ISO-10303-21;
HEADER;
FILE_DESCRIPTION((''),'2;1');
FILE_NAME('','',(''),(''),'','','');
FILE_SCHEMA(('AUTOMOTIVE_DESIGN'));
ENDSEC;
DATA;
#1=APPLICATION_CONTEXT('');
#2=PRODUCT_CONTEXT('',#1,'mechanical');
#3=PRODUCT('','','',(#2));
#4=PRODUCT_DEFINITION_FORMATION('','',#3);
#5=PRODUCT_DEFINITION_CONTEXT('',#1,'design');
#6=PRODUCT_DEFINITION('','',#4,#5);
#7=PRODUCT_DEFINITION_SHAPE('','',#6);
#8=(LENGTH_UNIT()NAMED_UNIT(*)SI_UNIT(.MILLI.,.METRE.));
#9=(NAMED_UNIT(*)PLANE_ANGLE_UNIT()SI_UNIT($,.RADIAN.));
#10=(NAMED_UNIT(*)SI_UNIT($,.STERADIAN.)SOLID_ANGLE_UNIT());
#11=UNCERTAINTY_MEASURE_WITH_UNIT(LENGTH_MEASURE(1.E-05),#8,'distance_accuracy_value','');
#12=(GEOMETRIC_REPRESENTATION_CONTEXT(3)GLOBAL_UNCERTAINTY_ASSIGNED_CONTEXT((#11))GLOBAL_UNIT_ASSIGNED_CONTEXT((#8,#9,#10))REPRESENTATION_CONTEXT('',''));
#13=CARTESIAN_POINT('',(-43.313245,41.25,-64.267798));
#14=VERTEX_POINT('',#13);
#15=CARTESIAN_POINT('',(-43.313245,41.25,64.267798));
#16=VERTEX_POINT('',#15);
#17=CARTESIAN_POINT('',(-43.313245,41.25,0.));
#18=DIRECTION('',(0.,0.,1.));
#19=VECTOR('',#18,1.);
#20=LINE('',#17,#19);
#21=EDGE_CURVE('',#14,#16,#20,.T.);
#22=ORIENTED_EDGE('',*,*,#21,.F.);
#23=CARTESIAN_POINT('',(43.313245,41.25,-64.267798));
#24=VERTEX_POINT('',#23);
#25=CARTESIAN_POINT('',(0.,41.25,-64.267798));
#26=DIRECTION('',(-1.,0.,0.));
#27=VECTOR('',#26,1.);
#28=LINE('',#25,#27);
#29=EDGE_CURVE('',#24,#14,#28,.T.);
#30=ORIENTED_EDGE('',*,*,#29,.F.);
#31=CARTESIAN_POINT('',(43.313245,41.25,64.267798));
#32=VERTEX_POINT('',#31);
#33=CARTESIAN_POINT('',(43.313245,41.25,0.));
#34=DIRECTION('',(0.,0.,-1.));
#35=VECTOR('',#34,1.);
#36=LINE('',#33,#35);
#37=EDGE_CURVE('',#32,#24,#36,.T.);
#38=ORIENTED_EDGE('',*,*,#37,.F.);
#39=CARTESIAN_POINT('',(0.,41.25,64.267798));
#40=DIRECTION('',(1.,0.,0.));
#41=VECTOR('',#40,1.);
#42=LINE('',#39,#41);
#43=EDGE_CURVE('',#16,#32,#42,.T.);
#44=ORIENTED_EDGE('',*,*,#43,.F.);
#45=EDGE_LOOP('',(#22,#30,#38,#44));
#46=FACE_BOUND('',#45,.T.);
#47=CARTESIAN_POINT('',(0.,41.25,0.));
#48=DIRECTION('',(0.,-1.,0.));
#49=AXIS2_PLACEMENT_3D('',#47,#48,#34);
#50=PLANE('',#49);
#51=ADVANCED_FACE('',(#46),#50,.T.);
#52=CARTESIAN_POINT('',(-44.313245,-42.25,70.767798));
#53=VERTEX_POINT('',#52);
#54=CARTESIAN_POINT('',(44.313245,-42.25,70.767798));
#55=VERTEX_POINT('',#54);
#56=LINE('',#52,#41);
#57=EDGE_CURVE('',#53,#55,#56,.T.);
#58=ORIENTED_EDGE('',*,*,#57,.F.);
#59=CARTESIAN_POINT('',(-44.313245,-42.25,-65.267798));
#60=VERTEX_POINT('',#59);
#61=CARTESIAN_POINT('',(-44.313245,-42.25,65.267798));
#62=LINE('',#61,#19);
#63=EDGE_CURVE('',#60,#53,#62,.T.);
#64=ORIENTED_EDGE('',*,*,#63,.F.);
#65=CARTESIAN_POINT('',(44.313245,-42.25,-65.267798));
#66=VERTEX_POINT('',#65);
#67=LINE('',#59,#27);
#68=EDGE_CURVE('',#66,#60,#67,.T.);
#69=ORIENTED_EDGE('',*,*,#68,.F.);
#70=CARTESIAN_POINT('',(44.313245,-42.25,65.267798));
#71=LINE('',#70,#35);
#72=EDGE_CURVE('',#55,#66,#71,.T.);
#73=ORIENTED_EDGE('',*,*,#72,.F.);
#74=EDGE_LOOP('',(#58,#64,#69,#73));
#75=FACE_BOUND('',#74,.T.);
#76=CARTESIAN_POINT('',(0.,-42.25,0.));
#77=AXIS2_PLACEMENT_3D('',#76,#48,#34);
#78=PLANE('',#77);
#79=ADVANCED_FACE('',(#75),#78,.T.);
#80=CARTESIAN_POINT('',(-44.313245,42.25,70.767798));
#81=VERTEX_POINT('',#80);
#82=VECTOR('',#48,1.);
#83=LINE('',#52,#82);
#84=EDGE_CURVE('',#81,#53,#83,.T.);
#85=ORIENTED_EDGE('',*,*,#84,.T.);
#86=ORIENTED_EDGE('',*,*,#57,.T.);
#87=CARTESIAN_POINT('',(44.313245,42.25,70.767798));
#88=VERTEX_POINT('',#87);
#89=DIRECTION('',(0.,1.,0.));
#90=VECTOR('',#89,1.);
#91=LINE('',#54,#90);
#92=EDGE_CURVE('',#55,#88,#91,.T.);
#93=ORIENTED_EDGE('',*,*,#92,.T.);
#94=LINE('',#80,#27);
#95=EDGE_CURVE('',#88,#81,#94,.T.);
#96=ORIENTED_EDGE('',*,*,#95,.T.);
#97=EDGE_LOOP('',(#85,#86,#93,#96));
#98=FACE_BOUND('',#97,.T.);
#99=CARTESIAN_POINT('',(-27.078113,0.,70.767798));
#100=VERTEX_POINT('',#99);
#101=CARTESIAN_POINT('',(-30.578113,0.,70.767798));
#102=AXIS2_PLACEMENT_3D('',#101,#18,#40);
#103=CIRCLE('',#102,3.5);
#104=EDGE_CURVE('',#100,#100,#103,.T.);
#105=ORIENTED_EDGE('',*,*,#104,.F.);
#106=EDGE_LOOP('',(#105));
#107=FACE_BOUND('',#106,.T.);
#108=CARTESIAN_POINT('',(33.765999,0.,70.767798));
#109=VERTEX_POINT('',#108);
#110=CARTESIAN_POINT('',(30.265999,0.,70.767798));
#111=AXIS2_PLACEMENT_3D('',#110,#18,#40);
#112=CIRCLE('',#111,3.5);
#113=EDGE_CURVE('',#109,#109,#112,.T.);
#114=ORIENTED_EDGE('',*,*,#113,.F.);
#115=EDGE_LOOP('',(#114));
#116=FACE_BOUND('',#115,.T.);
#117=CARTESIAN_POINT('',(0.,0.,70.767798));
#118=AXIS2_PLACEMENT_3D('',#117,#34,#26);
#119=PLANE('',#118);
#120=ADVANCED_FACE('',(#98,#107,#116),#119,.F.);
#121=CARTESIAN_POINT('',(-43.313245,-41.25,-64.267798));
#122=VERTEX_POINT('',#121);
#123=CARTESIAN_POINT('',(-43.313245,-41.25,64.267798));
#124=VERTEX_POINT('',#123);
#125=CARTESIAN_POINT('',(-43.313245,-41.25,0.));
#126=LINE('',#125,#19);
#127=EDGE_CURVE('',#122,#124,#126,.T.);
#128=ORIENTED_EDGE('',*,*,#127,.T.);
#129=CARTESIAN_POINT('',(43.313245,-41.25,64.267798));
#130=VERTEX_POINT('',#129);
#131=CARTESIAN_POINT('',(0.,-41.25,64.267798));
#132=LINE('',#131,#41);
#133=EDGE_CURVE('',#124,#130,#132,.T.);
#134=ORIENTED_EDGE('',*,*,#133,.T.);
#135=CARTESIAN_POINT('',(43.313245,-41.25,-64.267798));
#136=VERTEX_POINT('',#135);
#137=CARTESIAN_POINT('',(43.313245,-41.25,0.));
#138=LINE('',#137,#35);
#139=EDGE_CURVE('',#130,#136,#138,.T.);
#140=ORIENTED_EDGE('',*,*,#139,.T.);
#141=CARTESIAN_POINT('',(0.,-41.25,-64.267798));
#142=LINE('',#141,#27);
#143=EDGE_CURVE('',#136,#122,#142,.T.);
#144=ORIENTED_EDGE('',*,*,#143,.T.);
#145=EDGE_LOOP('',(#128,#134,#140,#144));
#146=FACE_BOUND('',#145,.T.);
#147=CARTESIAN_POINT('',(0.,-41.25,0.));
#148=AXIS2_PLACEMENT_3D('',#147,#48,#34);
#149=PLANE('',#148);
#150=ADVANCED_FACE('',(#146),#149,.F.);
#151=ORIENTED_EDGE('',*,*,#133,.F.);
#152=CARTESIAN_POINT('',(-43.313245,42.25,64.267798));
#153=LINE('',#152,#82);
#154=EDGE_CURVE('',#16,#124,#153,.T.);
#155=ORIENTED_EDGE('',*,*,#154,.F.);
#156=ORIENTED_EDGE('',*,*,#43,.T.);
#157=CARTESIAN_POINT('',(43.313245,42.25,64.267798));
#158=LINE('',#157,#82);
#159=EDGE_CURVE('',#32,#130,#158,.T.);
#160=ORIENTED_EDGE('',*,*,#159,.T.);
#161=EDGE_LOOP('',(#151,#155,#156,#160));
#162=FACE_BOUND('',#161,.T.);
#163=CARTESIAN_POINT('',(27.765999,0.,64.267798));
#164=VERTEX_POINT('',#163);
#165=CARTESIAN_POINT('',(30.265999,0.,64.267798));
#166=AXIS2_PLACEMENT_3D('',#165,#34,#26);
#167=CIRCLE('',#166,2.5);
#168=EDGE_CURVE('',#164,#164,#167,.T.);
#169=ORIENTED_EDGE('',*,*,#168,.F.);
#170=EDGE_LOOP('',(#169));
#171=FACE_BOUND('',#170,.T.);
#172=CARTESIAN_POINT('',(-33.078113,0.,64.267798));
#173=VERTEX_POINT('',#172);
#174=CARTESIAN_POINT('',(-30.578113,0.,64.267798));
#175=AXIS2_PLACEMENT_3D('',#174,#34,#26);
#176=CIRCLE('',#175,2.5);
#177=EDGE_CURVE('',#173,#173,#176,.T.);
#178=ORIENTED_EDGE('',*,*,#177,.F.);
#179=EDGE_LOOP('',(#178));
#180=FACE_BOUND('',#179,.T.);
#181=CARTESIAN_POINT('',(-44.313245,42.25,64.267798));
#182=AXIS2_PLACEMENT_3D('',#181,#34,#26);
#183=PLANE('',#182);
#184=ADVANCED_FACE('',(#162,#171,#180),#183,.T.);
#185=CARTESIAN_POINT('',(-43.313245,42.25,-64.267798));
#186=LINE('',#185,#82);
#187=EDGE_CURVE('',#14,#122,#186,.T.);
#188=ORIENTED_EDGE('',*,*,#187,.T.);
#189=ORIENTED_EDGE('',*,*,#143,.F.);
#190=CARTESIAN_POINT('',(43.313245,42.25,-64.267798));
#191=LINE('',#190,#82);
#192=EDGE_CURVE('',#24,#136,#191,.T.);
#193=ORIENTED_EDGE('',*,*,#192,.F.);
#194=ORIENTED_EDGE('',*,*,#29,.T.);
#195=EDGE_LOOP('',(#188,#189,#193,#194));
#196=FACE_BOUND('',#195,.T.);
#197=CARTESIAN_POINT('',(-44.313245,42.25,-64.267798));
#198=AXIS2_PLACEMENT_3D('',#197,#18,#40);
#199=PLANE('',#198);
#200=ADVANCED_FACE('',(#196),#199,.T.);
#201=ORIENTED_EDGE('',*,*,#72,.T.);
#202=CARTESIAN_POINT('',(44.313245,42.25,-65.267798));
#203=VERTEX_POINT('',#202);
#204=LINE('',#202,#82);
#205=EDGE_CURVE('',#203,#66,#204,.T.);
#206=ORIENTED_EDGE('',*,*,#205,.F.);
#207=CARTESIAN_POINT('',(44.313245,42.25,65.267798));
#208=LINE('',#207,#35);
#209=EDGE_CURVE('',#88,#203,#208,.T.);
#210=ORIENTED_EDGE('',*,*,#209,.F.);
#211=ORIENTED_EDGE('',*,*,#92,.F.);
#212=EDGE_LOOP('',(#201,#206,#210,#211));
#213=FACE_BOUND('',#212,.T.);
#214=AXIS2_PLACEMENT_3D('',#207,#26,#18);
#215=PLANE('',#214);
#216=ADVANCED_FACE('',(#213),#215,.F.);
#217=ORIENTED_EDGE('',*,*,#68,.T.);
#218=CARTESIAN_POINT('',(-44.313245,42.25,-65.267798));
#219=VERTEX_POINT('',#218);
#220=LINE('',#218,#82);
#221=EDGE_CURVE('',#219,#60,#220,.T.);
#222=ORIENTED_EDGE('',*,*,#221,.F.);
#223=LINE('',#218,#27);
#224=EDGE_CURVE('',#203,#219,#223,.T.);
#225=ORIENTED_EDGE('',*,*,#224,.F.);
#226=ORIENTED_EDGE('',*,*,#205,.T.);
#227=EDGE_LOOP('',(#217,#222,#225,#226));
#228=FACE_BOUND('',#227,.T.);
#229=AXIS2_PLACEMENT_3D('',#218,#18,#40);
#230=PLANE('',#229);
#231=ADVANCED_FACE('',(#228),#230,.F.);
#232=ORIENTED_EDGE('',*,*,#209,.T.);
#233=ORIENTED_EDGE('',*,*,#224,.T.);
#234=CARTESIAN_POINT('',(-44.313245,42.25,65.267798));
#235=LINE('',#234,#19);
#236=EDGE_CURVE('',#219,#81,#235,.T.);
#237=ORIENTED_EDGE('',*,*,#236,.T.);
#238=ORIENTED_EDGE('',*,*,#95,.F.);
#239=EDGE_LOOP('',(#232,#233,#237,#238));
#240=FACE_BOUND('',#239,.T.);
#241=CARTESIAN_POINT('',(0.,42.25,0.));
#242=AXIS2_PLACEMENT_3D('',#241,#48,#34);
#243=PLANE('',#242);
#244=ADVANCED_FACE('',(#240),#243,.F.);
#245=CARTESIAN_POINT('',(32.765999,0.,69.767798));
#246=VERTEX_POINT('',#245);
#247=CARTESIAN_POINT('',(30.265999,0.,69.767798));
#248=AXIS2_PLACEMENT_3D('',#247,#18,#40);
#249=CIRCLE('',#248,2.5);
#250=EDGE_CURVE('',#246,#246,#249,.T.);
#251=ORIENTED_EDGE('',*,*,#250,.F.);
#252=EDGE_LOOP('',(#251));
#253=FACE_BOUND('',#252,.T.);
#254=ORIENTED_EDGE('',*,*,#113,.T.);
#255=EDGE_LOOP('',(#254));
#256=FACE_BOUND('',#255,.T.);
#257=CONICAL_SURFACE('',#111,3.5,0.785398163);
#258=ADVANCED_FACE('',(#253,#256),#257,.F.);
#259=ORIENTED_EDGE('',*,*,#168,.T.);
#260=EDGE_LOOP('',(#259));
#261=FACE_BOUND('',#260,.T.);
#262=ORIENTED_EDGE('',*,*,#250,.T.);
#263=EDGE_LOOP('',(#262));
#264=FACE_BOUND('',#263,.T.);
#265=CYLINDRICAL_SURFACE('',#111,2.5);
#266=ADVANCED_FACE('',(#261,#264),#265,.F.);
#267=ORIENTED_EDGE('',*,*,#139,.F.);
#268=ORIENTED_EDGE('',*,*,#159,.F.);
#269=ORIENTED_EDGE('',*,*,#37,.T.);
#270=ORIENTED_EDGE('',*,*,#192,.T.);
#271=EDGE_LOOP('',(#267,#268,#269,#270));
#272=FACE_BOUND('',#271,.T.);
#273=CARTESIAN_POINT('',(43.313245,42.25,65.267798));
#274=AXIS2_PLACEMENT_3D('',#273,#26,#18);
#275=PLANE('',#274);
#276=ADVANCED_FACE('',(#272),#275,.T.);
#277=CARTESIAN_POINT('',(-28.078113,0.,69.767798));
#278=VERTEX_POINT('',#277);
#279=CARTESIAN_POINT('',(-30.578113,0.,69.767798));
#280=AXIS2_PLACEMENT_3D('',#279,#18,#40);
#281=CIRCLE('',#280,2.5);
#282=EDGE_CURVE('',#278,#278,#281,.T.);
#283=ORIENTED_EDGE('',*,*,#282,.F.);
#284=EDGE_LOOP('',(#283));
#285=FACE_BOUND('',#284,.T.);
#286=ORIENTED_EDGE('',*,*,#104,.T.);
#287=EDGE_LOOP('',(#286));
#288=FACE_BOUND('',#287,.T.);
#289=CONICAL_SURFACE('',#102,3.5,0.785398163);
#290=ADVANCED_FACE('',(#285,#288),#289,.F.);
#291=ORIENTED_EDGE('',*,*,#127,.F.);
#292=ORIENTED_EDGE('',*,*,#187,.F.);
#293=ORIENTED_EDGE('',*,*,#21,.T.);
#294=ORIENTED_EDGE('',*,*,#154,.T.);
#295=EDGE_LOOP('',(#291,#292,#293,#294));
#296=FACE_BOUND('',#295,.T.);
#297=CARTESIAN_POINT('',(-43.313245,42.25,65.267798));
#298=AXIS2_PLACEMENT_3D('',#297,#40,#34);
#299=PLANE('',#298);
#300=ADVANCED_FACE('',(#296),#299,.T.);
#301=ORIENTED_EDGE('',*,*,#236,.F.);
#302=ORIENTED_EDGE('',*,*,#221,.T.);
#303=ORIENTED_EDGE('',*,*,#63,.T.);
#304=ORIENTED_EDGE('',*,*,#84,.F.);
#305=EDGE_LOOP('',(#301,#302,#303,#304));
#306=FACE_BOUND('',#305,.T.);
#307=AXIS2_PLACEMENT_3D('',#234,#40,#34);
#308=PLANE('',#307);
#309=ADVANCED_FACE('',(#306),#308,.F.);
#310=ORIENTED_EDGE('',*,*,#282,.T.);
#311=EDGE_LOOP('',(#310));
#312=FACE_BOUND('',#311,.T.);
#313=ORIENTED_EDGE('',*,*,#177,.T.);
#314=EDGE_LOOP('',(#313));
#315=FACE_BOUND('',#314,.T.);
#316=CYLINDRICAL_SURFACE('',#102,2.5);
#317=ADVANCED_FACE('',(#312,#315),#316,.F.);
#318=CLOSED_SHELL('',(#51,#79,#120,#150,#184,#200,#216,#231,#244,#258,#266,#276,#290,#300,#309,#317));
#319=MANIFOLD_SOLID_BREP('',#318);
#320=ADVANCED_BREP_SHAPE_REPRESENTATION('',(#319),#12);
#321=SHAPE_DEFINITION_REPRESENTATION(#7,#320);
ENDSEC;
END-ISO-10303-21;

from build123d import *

# Parameters (mm, degrees)
SKETCH4_W                       = 88.626489964
SKETCH4_H                       = 130.535595586
BOSS_EXTRUDE3_DEPTH             = 42.25
SHELL1_T                        = 1
SKETCH5_W                       = 88.626489964
SKETCH5_H                       = 84.5
BOSS_EXTRUDE4_DEPTH             = 5.5
M6X1_0_TAPPED_HOLE1_D           = 5
M6X1_0_TAPPED_HOLE1_DEPTH       = 6.5
M6X1_0_TAPPED_HOLE1_CSINK_D     = 7
M6X1_0_TAPPED_HOLE1_CSINK_ANGLE = 90


with BuildPart() as part:
    # Sketch4 → Boss-Extrude3 (new body, symmetric)
    with BuildSketch(Plane(origin=(0, 0, 0), x_dir=(1, 0, 0), z_dir=(0, 1, 0))):
        Rectangle(SKETCH4_W, SKETCH4_H)
    extrude(amount=BOSS_EXTRUDE3_DEPTH, both=True)

    # Shell1 (no face opened: a closed hollow body)
    add(offset(amount=-SHELL1_T, mode=Mode.PRIVATE), mode=Mode.SUBTRACT)

    # Sketch5 → Boss-Extrude4 (add)
    with BuildSketch(Plane.XY.offset(65.267797793)):
        Rectangle(SKETCH5_W, SKETCH5_H)
    extrude(amount=BOSS_EXTRUDE4_DEPTH)

    # M6x1.0 Tapped Hole1
    with Locations(Plane.XY.offset(70.767797793)):
        with Locations((30.265999315, 0), (-30.578112918, 0)):
            CounterSinkHole(M6X1_0_TAPPED_HOLE1_D / 2, M6X1_0_TAPPED_HOLE1_CSINK_D / 2, depth=M6X1_0_TAPPED_HOLE1_DEPTH, counter_sink_angle=M6X1_0_TAPPED_HOLE1_CSINK_ANGLE)


solid = part.part
